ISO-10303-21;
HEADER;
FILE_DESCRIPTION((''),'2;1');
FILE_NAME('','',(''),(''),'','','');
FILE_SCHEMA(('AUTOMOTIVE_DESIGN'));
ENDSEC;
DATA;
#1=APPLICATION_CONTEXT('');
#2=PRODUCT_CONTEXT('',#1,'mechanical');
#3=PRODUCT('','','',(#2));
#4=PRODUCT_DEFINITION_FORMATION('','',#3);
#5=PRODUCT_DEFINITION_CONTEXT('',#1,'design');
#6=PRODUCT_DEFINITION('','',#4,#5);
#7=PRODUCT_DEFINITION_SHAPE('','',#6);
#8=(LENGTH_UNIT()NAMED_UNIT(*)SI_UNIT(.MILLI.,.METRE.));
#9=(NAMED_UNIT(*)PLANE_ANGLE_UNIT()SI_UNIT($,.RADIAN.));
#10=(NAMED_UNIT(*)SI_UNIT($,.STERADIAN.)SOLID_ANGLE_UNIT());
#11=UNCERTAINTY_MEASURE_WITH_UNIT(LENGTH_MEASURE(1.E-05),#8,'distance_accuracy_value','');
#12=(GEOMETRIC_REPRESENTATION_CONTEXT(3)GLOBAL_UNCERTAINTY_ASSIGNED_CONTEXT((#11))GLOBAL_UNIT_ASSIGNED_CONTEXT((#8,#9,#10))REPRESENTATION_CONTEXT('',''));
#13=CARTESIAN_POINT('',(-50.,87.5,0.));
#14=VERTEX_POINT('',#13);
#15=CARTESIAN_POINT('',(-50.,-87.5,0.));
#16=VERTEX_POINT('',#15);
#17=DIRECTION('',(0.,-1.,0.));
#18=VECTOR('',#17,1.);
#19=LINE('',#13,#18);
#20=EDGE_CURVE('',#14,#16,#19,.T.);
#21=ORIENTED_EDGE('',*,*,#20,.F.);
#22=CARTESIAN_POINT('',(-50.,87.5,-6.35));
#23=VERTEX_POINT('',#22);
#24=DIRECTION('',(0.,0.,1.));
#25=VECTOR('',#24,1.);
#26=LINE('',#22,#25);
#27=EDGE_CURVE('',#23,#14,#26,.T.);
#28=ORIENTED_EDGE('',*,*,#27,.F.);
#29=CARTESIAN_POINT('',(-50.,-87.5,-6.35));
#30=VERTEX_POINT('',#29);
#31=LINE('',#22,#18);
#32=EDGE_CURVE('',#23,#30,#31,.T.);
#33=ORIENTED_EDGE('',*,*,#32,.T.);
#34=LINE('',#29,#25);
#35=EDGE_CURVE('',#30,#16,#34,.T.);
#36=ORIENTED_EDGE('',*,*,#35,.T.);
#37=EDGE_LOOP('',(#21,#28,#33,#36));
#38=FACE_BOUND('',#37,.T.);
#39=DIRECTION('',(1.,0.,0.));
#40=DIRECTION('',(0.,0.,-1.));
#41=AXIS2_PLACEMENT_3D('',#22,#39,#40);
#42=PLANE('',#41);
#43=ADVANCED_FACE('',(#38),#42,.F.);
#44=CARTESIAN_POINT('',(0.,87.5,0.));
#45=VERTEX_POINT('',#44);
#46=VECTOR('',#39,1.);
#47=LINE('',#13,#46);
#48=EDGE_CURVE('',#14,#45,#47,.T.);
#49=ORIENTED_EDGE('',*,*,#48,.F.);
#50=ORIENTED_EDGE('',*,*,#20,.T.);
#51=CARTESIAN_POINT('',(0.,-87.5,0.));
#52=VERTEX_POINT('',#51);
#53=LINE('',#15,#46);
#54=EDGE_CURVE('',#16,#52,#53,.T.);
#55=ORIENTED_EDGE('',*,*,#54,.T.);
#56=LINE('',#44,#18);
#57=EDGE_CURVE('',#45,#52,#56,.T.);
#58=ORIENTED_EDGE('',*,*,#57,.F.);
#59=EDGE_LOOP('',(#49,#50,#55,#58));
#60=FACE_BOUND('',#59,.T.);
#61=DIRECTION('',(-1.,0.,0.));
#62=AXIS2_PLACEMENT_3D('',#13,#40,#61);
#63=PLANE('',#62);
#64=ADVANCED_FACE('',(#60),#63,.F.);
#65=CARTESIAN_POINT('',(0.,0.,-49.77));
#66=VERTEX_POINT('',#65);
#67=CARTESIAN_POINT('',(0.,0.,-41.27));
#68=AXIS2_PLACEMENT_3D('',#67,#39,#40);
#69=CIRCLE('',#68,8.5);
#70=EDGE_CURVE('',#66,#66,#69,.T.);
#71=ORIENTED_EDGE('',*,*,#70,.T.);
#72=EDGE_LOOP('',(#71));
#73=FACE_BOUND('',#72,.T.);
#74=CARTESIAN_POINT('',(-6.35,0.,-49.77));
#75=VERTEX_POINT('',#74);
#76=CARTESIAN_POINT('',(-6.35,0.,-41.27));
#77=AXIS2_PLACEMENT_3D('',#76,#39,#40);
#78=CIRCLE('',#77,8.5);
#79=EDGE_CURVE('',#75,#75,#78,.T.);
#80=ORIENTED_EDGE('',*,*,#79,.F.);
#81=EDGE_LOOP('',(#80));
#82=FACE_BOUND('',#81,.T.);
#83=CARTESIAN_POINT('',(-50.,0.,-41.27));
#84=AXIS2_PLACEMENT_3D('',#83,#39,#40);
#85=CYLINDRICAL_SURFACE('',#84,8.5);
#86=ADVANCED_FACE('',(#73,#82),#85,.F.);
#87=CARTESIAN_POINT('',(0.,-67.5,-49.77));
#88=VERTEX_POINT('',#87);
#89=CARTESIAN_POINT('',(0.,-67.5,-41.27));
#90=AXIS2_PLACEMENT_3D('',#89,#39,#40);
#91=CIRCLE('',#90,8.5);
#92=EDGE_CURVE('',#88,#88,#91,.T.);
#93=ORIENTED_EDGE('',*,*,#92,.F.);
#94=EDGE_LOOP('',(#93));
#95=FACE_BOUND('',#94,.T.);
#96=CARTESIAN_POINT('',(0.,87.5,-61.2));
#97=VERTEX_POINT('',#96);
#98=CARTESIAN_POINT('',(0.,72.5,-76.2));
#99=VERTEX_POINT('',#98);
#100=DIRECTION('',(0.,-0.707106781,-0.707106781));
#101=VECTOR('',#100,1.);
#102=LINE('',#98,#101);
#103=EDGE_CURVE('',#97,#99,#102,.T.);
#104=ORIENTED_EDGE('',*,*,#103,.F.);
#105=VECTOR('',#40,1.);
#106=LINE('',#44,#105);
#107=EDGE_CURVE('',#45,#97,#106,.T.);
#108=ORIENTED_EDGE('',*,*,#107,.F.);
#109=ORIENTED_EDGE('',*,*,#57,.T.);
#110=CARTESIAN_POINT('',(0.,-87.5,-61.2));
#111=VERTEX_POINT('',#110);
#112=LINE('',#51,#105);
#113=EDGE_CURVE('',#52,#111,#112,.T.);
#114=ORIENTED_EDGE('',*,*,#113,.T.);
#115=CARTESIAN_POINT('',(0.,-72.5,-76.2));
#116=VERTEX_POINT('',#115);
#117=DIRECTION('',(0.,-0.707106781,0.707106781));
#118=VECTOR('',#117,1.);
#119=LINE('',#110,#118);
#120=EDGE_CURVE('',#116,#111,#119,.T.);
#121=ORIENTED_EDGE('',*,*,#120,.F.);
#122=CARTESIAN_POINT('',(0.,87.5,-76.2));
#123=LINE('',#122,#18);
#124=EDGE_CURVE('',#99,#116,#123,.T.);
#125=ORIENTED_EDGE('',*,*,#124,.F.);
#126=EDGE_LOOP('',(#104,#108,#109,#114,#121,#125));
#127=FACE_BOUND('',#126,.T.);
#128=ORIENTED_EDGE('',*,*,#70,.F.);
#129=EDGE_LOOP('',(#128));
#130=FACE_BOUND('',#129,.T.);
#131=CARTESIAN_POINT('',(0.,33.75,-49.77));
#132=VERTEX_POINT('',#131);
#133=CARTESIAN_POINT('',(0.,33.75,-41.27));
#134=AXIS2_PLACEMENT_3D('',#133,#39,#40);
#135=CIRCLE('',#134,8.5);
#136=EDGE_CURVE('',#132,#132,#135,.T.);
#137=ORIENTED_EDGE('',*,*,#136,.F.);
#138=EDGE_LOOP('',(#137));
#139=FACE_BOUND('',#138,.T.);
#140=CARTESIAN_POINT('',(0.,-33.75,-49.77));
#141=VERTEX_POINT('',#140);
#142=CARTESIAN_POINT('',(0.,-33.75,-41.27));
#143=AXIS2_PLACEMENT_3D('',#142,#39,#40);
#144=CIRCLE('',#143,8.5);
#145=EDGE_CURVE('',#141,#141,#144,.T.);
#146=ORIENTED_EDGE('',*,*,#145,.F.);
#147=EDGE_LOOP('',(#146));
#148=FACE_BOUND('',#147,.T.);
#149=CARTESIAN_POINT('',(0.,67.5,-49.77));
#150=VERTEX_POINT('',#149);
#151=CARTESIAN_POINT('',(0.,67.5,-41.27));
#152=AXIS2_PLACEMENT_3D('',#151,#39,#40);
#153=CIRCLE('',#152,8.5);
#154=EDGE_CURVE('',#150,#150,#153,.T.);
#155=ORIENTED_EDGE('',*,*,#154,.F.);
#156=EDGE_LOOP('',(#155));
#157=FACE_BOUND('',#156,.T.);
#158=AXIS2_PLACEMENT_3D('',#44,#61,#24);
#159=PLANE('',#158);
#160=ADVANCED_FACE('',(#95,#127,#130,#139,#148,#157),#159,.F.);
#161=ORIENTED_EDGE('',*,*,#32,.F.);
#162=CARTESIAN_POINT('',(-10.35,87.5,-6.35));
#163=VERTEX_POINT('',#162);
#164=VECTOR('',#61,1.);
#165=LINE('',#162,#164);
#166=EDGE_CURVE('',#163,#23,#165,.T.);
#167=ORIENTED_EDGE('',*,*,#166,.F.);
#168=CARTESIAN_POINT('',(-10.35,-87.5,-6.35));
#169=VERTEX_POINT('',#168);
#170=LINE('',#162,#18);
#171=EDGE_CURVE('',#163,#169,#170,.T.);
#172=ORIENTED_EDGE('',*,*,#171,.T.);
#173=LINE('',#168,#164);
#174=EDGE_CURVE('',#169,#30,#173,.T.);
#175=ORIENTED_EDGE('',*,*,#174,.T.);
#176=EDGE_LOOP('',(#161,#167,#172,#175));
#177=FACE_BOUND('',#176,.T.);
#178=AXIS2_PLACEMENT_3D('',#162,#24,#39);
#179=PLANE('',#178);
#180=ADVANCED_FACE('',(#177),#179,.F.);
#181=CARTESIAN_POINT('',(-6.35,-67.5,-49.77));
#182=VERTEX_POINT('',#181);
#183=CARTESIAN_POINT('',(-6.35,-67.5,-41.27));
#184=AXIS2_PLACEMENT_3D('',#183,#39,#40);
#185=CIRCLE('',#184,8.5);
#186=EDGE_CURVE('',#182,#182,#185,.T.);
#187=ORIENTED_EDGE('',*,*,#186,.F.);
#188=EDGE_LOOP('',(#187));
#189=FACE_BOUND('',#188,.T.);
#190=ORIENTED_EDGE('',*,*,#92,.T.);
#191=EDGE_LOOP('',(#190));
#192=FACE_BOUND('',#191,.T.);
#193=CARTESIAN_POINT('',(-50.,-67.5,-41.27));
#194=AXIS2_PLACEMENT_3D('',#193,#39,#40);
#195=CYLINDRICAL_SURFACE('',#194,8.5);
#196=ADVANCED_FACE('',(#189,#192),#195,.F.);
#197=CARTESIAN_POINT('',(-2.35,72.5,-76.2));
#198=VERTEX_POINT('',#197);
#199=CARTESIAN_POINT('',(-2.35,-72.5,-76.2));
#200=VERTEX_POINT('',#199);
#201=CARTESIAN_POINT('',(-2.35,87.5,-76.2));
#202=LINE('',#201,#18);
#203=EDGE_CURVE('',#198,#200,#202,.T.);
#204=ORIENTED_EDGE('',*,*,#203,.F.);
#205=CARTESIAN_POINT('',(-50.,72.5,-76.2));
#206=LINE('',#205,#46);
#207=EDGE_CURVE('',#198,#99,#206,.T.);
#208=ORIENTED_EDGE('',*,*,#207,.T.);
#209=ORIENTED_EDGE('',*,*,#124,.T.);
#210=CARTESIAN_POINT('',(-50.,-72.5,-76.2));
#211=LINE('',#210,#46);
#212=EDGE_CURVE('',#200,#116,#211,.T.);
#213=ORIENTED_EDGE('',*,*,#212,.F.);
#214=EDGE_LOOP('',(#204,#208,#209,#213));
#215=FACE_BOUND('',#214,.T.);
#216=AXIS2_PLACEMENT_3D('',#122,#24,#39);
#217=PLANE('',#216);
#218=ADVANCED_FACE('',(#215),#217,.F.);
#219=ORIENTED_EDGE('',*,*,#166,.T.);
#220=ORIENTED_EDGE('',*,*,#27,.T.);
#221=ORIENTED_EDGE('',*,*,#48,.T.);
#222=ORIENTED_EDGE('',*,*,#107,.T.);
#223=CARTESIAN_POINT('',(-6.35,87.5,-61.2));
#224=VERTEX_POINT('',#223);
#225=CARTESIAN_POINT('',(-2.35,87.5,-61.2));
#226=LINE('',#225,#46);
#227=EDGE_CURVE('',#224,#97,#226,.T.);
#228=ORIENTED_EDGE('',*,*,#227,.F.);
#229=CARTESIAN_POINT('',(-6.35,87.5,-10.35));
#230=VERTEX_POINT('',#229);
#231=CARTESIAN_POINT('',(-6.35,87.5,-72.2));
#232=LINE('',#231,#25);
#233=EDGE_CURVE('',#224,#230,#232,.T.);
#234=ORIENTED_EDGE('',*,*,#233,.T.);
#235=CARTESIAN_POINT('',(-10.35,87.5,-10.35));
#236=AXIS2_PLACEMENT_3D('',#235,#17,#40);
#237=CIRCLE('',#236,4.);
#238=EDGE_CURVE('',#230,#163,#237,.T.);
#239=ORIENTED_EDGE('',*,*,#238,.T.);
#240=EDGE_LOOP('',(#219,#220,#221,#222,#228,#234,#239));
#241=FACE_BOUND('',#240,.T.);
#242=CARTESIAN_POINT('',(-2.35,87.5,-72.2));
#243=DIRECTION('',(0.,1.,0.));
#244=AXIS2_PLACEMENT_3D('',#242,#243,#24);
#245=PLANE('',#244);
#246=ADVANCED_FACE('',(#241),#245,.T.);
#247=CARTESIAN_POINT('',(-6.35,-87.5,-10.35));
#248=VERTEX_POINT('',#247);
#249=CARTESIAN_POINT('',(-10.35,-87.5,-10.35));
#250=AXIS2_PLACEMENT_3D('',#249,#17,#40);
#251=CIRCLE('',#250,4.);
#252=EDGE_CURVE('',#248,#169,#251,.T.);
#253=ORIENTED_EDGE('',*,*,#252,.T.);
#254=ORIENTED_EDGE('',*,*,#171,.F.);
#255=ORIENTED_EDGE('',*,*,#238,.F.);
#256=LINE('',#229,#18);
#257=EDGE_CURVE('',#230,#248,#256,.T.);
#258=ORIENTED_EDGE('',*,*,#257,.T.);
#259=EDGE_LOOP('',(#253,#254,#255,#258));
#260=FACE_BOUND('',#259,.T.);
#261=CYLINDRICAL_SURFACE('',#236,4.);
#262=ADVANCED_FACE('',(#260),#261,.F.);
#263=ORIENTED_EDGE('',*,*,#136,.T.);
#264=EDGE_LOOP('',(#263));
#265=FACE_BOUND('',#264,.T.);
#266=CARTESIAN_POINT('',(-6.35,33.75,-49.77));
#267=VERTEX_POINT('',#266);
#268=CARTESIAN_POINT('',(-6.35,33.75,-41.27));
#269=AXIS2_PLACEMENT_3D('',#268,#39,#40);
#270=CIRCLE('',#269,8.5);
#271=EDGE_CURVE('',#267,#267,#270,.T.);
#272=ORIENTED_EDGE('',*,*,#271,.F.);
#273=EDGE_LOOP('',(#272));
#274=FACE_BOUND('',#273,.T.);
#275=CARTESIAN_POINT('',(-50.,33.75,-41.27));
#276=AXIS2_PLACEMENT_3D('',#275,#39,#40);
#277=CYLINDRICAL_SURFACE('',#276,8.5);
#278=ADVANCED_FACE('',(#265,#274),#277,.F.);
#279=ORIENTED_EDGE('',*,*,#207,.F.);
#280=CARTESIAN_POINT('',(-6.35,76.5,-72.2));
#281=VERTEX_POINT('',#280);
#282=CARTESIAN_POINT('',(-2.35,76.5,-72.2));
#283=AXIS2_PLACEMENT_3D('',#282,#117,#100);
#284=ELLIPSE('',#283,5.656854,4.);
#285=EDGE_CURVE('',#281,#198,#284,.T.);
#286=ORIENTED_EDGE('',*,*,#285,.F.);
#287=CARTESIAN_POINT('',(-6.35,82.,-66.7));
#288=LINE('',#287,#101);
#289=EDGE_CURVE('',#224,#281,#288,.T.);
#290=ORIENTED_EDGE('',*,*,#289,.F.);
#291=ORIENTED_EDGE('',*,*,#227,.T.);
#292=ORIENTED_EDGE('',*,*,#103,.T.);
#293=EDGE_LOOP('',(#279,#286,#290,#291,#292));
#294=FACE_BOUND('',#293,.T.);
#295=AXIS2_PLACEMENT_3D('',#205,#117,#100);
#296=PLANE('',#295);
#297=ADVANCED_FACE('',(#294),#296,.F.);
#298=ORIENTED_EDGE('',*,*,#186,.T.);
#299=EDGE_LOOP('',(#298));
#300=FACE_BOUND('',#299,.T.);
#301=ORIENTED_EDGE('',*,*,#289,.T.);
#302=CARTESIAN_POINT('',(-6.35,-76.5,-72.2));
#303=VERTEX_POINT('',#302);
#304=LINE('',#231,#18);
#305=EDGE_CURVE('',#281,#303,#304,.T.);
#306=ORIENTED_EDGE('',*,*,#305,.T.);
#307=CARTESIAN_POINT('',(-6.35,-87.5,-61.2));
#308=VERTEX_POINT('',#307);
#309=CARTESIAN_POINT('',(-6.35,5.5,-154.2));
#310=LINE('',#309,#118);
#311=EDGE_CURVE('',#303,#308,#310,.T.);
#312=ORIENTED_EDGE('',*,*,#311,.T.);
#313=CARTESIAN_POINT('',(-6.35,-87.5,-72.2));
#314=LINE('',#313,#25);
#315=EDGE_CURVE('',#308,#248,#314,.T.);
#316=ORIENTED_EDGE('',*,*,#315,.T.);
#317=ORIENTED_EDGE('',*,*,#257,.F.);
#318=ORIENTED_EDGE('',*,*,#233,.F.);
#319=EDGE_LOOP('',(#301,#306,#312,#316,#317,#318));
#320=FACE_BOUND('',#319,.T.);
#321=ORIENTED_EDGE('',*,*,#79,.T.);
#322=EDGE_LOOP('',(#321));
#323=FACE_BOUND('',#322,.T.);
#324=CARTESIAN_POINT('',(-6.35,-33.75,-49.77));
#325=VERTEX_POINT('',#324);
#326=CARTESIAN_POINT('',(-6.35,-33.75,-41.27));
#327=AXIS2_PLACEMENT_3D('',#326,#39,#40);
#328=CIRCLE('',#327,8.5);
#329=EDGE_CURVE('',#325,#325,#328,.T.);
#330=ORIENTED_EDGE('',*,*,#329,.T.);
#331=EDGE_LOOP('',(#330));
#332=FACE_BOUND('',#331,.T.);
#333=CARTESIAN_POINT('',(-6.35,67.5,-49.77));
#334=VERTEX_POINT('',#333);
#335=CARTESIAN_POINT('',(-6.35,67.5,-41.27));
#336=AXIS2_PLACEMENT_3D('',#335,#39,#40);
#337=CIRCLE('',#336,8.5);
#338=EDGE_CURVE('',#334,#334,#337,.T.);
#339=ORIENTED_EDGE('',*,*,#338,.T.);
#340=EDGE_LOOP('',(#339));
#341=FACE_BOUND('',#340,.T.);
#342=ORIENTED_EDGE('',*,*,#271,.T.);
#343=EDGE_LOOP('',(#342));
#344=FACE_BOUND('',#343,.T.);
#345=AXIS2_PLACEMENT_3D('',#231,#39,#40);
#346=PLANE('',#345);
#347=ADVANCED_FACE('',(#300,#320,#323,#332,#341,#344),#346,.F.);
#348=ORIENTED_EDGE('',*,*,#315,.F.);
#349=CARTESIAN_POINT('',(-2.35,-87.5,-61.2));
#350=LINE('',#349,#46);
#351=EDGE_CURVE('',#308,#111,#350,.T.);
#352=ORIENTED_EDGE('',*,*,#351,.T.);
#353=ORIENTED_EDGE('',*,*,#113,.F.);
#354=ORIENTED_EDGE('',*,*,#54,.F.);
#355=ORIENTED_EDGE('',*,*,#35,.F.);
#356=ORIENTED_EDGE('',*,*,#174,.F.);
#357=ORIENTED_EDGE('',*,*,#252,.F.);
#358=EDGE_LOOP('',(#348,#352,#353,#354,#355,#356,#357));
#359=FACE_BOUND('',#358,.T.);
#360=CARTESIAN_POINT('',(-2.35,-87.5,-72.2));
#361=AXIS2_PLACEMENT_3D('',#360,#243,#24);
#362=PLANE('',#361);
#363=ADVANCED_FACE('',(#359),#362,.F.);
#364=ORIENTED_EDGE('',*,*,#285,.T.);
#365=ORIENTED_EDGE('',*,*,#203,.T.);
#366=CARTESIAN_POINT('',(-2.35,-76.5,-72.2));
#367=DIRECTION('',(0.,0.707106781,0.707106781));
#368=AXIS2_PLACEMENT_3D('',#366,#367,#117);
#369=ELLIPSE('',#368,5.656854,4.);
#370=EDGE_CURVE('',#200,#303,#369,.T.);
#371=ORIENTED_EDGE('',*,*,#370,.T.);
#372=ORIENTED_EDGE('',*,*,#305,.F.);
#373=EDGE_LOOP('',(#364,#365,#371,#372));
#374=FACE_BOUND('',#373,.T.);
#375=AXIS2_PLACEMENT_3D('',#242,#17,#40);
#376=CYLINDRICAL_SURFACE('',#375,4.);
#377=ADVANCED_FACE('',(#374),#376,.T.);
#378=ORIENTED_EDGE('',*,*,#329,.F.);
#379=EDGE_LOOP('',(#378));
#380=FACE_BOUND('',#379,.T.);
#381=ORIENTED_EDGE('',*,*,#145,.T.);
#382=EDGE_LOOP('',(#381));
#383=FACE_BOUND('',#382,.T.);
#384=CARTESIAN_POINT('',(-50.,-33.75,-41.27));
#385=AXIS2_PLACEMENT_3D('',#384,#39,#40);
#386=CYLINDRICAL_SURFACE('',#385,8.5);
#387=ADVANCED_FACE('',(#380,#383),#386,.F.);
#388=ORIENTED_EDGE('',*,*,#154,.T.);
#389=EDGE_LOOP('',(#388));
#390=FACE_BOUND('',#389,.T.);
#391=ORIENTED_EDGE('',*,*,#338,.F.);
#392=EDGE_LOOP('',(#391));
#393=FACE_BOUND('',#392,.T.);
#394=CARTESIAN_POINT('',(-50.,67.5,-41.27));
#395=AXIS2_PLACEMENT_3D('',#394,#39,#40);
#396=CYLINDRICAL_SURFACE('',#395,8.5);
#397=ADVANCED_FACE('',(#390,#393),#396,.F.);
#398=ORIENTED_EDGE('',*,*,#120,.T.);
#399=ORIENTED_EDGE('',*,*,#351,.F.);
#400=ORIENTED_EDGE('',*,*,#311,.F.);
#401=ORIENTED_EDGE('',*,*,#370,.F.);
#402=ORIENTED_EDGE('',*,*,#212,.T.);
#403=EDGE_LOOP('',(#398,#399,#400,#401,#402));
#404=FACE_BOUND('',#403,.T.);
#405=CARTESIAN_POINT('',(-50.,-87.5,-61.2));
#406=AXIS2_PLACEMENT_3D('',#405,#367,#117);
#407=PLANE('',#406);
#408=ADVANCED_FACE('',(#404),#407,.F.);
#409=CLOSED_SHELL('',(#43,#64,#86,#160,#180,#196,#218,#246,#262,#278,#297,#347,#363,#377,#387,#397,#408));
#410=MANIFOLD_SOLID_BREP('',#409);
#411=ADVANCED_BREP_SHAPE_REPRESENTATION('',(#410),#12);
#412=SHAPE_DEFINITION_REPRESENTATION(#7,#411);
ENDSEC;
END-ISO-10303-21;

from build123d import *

# Parameters (mm, degrees)
RESSALTO_EXTRUS_O1_DEPTH = 87.5
ESBO_O2_R                = 8.5
CORTE_EXTRUS_O1_DEPTH    = 127.343539605


with BuildPart() as part:
    # Esboço1 → Ressalto-extrusão1 (new, symmetric)
    with BuildSketch(Plane(origin=(0, 0, 0), x_dir=(1, 0, 0), z_dir=(0, 1, 0))):
        with BuildLine():
            Line((-50, 0), (0, 0))
            Line((0, 0), (0, 76.2))
            Line((0, 76.2), (-2.35, 76.2))
            ThreePointArc((-2.35, 76.2), (-5.178427125, 75.028427125), (-6.35, 72.2))
            Line((-6.35, 72.2), (-6.35, 10.35))
            ThreePointArc((-6.35, 10.35), (-7.521572875, 7.521572875), (-10.35, 6.35))
            Line((-10.35, 6.35), (-50, 6.35))
            Line((-50, 6.35), (-50, 0))
        make_face()
    extrude(amount=RESSALTO_EXTRUS_O1_DEPTH, both=True)

    # Esboço2 → Corte-extrusão1 (cut, through all)
    with BuildSketch(Plane(origin=(0, 0, 0), x_dir=(0, 0, -1), z_dir=(1, 0, 0))):
        with Locations((41.27, 67.5)):
            Circle(ESBO_O2_R)
        with Locations((41.27, 33.75)):
            Circle(ESBO_O2_R)
        with Locations((41.27, 0)):
            Circle(ESBO_O2_R)
        with Locations((41.27, -33.75)):
            Circle(ESBO_O2_R)
        with Locations((41.27, -67.5)):
            Circle(ESBO_O2_R)
        Polygon((61.2, 87.5), (76.2, 87.5), (76.2, 72.5), align=None)
        Polygon((76.2, -72.5), (76.2, -87.5), (61.2, -87.5), align=None)
    extrude(amount=-CORTE_EXTRUS_O1_DEPTH, mode=Mode.SUBTRACT)


solid = part.part
